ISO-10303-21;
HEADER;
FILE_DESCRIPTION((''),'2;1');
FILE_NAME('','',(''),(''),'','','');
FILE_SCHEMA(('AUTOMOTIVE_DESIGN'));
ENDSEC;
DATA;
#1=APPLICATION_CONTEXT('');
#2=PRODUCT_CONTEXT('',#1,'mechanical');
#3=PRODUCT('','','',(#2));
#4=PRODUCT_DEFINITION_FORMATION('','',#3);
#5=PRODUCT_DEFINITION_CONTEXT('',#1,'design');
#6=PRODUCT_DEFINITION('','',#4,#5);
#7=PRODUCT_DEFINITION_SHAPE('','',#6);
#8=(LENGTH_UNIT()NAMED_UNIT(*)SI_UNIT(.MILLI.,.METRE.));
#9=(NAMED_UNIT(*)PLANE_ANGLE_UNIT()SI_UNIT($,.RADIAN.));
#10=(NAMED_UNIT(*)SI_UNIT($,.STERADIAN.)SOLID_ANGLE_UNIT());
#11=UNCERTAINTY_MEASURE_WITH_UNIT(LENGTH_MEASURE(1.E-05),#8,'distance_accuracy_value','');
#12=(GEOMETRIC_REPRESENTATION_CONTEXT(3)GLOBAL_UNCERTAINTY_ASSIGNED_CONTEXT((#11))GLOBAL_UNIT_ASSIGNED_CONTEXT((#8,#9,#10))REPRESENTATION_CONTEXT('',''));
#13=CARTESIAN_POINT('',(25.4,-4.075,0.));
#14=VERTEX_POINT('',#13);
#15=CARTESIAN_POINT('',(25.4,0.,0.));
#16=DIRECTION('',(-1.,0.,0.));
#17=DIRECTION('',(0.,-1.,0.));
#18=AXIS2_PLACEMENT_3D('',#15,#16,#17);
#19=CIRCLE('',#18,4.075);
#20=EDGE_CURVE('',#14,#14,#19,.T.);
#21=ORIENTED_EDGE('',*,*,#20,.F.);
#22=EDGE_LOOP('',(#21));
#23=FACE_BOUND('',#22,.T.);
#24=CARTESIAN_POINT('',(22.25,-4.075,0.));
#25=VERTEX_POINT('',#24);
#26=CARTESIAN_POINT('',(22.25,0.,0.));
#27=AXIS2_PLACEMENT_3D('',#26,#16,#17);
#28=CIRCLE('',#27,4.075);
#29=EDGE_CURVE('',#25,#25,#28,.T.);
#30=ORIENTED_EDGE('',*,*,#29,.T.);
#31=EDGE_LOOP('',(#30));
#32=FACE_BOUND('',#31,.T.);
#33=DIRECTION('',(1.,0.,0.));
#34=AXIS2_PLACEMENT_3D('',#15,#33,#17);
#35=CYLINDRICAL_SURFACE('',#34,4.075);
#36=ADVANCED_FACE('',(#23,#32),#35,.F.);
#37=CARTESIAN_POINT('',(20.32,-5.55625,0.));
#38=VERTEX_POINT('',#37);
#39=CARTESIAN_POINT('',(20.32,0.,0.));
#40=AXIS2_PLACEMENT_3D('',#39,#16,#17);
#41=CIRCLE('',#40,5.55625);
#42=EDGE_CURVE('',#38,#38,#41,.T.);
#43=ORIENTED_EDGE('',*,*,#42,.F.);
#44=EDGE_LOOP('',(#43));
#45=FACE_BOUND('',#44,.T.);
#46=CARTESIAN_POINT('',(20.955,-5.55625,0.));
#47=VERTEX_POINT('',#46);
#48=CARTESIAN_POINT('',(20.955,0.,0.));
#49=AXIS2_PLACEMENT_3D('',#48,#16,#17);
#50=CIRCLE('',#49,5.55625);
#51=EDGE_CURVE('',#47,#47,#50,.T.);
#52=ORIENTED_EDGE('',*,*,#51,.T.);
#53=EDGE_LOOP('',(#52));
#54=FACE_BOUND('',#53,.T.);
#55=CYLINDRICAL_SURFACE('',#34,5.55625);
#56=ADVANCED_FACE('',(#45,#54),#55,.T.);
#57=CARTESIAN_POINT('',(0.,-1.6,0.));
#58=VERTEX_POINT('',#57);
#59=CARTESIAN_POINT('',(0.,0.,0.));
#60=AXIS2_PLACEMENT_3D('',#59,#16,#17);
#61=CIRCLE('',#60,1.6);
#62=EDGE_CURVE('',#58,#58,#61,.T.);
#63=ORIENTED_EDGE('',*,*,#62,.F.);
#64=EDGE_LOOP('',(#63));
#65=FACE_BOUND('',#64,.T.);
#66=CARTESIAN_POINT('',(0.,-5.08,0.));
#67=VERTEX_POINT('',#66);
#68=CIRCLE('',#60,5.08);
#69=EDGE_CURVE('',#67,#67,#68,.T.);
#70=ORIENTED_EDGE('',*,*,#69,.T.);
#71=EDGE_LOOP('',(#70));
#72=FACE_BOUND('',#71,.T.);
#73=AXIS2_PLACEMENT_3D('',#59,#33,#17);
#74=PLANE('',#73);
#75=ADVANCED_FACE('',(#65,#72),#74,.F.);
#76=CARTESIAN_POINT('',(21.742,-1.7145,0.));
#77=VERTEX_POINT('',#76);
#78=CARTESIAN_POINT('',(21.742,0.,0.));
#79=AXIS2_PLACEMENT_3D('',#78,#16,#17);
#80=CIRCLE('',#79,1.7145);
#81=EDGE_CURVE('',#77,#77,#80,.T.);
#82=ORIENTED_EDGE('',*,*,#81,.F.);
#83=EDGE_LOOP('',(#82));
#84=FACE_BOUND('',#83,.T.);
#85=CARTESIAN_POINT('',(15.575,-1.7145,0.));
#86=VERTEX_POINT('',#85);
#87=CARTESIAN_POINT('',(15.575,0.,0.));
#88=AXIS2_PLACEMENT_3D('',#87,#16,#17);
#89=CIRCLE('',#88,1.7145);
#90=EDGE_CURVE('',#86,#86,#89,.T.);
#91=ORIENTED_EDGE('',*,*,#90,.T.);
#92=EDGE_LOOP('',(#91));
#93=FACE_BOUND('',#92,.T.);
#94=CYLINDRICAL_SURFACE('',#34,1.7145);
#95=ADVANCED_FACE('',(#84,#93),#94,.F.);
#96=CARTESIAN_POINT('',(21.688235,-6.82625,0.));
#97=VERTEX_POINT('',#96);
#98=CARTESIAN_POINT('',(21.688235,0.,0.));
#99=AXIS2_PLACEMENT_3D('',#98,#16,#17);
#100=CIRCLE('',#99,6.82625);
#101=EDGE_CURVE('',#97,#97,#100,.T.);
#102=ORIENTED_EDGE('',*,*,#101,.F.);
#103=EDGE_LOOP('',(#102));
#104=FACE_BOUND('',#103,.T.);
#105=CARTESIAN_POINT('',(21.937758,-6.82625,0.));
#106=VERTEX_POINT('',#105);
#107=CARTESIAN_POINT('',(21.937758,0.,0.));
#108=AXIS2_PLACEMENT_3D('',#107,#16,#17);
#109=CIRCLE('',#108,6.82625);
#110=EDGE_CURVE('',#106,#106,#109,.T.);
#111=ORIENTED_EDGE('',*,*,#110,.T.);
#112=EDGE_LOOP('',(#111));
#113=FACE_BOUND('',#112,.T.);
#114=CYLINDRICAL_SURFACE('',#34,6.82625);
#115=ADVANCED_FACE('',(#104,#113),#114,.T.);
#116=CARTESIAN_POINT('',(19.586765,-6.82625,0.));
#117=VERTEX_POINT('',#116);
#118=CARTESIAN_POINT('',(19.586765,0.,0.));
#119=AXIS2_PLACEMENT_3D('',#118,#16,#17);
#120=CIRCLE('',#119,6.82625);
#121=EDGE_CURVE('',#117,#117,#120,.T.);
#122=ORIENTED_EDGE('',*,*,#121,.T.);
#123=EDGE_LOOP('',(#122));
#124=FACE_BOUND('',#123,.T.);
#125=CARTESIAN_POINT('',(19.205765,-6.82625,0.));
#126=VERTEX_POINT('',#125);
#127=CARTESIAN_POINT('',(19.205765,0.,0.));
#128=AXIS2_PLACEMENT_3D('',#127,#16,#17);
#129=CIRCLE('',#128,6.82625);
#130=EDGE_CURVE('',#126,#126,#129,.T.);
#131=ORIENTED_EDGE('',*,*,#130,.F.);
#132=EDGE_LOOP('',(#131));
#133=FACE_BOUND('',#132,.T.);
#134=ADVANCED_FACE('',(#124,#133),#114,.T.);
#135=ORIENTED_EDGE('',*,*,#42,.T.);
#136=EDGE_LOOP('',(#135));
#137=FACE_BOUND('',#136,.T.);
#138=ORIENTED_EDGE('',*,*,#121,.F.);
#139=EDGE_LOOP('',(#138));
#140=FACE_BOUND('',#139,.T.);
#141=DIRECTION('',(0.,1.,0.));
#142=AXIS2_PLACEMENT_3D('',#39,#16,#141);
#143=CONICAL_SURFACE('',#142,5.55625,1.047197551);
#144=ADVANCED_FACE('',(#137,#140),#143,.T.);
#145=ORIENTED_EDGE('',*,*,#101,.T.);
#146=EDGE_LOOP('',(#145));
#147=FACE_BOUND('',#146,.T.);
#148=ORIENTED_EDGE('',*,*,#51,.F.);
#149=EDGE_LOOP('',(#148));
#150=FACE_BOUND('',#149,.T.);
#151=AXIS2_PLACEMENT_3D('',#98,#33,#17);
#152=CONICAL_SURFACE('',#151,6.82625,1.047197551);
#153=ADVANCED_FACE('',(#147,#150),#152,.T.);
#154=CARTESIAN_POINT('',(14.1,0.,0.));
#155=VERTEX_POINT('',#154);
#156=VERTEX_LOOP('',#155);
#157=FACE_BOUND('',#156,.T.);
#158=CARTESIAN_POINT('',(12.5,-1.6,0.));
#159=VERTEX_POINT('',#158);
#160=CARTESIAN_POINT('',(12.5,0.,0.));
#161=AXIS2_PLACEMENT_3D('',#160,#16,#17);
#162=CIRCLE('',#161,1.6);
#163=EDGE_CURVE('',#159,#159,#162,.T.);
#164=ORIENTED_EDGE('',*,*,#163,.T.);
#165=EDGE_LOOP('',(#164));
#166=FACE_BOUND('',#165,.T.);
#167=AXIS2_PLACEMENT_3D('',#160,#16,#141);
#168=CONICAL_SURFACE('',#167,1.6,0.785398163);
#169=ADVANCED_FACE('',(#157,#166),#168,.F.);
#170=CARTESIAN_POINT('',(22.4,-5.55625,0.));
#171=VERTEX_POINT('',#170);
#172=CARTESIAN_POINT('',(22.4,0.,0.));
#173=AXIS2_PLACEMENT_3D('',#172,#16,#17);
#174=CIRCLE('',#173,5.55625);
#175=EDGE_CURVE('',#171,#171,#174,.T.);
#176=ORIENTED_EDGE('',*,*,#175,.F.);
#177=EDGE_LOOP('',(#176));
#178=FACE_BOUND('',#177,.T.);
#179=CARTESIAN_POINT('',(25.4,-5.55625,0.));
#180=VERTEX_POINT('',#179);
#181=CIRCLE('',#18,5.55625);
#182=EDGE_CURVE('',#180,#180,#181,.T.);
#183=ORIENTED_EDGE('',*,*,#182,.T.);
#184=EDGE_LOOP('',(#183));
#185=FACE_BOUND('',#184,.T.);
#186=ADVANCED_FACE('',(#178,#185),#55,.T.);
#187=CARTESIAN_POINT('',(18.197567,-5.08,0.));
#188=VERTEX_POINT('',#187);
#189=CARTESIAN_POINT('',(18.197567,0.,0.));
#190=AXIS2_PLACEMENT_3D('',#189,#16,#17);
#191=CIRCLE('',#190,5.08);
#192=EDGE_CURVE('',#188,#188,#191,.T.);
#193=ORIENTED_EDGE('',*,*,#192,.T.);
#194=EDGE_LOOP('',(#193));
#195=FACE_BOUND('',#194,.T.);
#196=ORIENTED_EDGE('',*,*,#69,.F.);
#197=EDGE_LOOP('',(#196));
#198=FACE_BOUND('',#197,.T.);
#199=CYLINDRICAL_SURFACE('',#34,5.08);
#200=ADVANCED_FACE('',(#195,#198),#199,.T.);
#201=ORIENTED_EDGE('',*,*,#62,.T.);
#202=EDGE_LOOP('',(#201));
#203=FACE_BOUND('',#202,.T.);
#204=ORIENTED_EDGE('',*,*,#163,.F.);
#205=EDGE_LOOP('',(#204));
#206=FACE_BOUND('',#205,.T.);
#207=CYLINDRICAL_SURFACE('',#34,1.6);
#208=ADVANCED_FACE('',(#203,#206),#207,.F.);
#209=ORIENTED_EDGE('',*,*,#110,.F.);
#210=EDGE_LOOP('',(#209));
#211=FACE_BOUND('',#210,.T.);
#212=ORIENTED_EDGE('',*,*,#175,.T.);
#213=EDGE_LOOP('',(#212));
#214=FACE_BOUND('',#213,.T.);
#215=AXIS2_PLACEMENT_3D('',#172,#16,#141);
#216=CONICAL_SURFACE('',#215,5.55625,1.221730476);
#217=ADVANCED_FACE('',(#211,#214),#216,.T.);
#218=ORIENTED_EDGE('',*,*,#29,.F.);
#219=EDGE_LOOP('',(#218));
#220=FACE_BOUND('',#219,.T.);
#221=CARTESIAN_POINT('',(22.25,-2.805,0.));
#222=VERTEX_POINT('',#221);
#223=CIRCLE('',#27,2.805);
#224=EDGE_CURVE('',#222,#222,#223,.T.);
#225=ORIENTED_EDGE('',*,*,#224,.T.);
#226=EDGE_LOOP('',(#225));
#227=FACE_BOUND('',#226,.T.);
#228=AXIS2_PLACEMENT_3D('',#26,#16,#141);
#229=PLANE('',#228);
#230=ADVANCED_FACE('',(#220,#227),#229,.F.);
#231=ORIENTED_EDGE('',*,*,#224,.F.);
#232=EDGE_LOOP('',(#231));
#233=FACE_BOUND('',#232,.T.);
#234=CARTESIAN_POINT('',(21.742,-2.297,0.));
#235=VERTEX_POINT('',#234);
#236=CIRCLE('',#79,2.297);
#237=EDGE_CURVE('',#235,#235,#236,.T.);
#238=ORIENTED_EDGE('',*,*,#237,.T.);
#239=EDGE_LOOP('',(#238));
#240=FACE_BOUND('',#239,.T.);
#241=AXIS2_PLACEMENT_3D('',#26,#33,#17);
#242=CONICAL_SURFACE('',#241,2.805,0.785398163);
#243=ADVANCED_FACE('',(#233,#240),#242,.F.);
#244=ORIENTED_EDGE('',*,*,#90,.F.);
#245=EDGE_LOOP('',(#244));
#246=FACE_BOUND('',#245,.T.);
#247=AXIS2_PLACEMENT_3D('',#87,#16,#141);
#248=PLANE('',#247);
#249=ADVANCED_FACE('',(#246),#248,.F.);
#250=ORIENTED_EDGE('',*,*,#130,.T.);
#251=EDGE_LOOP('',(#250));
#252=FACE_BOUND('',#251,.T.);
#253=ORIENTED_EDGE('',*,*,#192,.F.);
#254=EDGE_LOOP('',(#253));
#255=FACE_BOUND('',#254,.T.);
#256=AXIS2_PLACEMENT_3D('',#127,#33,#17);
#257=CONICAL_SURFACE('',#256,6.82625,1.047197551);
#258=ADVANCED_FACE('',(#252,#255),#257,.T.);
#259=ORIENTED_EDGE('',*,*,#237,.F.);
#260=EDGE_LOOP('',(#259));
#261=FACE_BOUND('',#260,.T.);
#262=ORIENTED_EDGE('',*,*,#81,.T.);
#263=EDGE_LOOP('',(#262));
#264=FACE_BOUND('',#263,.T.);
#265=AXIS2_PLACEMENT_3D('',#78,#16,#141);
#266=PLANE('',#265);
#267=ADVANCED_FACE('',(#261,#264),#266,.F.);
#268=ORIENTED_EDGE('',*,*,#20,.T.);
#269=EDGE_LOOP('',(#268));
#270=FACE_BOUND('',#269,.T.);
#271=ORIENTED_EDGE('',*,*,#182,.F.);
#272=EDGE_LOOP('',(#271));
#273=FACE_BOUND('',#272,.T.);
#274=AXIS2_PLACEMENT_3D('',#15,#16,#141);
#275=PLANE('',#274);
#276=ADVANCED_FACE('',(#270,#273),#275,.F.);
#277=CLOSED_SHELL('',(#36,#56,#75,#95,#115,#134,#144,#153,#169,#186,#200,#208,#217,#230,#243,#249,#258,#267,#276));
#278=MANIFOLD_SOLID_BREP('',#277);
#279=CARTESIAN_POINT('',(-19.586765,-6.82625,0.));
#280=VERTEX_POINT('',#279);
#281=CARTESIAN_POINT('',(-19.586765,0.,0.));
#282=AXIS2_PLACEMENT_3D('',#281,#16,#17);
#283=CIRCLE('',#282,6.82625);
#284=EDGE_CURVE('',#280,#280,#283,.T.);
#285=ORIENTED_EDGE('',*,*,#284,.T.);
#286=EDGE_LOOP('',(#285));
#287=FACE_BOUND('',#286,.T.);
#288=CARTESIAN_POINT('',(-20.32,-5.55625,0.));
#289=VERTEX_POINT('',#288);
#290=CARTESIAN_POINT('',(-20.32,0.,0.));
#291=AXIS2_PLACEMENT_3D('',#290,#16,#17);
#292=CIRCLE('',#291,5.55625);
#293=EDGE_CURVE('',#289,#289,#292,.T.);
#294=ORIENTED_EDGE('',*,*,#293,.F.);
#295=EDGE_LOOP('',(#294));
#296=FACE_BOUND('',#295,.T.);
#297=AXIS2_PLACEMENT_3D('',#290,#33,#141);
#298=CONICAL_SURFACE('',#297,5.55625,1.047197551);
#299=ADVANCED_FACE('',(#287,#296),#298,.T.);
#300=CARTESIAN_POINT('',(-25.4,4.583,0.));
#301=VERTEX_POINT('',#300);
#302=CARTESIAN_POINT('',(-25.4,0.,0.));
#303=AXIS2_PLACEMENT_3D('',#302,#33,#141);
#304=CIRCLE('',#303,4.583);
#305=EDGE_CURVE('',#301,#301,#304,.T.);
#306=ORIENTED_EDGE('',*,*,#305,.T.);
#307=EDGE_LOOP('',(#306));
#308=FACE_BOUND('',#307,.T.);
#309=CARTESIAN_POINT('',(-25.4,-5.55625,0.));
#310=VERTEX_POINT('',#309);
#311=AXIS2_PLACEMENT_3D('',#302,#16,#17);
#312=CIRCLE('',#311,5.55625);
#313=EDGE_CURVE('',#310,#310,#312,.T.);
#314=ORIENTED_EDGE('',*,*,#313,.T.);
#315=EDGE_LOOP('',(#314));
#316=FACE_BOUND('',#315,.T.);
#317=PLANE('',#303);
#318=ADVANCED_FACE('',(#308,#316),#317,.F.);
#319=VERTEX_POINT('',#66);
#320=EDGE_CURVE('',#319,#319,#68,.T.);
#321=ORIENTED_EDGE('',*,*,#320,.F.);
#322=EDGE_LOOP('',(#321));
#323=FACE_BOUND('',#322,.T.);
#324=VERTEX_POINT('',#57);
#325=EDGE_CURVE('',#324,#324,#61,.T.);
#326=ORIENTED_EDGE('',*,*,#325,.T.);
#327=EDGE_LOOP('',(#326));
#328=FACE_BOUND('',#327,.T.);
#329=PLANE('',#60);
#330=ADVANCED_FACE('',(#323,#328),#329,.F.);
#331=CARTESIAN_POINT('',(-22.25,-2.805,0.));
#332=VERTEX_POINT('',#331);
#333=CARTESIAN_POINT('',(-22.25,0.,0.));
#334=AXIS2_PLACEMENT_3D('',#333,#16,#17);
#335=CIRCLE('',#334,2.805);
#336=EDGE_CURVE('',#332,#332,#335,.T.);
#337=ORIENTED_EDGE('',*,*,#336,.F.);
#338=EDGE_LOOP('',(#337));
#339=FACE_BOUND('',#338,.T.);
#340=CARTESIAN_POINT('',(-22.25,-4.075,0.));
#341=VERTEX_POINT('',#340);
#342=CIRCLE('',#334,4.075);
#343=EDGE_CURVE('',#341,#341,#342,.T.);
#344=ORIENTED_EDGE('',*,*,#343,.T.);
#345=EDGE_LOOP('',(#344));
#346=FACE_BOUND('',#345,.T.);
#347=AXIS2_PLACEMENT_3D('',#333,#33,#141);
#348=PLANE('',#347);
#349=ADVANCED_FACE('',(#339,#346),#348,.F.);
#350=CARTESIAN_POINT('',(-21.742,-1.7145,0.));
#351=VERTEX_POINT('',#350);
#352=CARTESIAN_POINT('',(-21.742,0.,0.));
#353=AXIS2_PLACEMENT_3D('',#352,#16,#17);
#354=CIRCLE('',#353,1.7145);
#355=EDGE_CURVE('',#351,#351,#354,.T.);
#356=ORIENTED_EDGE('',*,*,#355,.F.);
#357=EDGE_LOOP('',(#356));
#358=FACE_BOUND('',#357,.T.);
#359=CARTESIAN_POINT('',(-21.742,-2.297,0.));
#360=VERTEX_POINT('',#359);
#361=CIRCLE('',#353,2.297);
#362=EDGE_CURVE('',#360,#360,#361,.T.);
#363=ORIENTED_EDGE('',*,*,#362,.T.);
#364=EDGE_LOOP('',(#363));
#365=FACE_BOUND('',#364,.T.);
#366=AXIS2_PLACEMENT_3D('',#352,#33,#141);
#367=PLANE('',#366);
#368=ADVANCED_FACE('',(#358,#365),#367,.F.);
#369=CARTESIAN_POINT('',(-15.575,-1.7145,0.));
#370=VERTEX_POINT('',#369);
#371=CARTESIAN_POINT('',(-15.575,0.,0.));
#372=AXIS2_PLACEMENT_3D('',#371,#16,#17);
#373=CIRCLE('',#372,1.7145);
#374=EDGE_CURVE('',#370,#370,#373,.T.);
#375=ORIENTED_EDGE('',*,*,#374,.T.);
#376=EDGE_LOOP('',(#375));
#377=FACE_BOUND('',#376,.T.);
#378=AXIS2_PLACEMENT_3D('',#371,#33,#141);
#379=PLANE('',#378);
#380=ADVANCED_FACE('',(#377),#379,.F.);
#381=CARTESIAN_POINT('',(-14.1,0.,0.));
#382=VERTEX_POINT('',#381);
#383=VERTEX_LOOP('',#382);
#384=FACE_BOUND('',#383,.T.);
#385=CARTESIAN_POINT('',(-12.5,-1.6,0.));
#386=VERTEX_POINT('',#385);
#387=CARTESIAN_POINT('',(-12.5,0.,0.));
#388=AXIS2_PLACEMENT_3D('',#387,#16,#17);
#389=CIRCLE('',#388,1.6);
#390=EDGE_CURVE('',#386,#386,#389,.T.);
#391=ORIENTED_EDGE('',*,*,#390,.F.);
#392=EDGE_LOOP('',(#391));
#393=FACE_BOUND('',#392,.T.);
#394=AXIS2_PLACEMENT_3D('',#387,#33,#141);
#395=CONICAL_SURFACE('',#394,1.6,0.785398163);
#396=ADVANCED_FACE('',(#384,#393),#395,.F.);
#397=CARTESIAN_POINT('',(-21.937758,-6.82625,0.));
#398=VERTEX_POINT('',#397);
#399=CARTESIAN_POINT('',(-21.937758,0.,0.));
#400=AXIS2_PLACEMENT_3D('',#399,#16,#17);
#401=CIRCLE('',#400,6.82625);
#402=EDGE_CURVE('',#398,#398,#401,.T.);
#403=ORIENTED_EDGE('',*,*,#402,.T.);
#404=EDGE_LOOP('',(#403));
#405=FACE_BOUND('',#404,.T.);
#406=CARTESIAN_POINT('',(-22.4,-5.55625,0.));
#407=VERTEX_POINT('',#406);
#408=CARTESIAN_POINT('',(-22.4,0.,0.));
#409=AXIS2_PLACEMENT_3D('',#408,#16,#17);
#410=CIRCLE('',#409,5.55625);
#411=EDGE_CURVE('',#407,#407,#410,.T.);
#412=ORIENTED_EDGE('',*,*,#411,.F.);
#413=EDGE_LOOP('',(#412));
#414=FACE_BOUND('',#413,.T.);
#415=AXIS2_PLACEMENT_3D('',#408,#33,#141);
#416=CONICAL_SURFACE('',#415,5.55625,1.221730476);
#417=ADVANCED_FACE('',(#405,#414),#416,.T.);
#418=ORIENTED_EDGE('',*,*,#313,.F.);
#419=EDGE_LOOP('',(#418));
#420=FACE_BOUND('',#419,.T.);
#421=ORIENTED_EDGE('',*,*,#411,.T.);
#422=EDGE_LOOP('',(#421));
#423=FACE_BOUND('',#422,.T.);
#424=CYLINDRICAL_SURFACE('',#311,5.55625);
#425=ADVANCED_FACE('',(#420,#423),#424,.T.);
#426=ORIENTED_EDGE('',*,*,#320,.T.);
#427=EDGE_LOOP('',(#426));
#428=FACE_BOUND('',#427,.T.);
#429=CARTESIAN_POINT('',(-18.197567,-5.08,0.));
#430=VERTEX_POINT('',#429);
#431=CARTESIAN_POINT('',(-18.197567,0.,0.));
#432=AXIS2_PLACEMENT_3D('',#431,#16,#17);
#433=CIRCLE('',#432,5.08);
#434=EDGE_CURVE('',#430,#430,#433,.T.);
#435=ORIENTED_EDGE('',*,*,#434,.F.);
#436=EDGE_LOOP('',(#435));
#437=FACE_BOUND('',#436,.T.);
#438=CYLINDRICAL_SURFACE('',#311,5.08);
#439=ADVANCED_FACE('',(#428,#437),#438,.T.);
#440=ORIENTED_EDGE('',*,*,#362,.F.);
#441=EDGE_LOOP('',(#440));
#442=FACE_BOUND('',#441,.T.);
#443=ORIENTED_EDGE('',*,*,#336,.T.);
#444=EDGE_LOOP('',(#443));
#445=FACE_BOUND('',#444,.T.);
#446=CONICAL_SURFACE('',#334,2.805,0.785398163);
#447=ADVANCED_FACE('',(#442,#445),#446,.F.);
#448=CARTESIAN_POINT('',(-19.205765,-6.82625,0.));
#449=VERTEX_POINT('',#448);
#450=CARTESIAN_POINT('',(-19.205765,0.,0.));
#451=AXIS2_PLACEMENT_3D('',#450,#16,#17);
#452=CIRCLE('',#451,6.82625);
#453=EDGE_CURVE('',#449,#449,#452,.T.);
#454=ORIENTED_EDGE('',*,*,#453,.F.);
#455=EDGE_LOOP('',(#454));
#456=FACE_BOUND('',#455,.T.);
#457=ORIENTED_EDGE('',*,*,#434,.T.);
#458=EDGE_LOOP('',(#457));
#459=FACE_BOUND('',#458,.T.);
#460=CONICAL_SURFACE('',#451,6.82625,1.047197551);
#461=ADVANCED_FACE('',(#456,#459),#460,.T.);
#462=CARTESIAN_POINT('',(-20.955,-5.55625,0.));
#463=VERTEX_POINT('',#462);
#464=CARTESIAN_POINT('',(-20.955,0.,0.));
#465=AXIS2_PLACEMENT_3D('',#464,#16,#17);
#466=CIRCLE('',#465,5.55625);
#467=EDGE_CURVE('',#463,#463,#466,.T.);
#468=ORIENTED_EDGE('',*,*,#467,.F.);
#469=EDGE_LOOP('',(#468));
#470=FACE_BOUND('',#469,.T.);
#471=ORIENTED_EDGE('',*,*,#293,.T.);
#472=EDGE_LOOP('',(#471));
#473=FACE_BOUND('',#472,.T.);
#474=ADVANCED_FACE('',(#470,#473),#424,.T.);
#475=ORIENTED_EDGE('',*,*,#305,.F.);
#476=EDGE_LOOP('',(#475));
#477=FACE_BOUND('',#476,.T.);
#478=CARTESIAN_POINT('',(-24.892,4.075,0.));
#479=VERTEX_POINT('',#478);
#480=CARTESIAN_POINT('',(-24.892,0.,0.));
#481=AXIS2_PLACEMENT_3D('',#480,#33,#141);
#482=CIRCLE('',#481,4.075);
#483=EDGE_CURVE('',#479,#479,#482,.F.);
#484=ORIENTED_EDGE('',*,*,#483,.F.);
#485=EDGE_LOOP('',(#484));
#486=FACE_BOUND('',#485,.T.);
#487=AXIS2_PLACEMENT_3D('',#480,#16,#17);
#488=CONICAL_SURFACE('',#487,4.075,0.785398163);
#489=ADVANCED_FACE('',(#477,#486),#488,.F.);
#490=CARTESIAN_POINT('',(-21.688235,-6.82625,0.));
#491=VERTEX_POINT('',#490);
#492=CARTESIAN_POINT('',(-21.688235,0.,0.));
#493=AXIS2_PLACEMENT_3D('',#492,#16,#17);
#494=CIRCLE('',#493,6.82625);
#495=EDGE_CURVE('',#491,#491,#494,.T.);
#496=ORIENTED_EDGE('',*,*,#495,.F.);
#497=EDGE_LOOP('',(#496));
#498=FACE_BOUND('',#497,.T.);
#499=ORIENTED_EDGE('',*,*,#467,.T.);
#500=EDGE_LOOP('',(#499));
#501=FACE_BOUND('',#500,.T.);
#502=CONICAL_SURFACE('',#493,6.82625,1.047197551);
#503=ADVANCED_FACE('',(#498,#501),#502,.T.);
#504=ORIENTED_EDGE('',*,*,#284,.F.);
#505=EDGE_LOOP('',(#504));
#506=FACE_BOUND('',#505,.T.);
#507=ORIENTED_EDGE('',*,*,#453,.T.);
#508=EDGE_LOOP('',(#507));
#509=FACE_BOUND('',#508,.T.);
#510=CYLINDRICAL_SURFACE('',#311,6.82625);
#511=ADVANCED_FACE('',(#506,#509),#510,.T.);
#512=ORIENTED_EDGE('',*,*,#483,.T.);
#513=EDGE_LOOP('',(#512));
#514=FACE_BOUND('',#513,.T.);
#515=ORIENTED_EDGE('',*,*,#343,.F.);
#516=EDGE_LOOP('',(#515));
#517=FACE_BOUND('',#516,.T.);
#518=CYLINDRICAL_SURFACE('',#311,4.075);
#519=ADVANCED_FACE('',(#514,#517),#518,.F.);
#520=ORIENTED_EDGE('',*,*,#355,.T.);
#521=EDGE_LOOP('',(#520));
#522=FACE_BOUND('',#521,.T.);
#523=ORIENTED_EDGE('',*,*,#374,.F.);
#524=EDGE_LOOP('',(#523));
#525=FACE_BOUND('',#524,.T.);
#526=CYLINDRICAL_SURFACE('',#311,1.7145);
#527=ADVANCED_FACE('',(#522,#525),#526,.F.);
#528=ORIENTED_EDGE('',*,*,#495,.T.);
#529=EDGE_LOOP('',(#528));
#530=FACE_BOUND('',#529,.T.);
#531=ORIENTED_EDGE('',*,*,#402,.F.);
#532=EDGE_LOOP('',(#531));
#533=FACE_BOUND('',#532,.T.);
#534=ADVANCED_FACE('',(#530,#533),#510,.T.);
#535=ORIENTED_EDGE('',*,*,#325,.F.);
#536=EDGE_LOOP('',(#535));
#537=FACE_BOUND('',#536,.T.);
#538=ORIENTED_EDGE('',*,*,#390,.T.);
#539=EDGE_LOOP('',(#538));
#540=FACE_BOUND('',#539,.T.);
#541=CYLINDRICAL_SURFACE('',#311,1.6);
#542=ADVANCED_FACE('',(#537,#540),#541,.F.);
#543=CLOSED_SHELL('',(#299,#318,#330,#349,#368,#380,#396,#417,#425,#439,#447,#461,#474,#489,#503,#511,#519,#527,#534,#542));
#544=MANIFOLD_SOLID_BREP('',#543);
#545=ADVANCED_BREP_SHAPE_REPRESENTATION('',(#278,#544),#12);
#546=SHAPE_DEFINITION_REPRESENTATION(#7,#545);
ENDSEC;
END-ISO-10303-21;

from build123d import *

# Parameters (mm, degrees)
CHAMFER1_SIZE = 0.508


with BuildPart() as part:
    # Sketch2 → Revolve1 (revolve)
    with BuildSketch(Plane.XY, mode=Mode.PRIVATE) as revolve1_sk:
        Polygon((-22.4, 5.55625), (-25.4, 5.55625), (-25.4, 4.075), (-22.25, 4.075), (-22.25, 2.805), (-21.742, 2.297), (-21.742, 1.7145), (-15.575, 1.7145), (-15.575, 0), (-14.1, 0), (-12.5, 1.6), (0, 1.6), (0, 5.08), (-18.197567251, 5.08), (-19.205765158, 6.82625), (-19.586765158, 6.82625), (-20.32, 5.55625), (-20.955, 5.55625), (-21.688234842, 6.82625), (-21.937757802, 6.82625), align=None)
    revolve(revolve1_sk.sketch.rotate(Axis((-25.4, 0, 0), (1, 0, 0)), 180), axis=Axis((-25.4, 0, 0), (1, 0, 0)))


with BuildPart() as body_2:
    # Mirror1: mirrored copy
    add(part.part.mirror(Plane(origin=(0, 0, 0), x_dir=(0, 0, 1), z_dir=(1, 0, 0))))


with BuildPart() as part_1:
    add(part.part)

    # Chamfer1
    chamfer1_edges = [part_1.edges().sort_by_distance(p)[0] for p in [
        (-25.4, 4.075, 0),
    ]]
    chamfer(chamfer1_edges, length=CHAMFER1_SIZE)


solid = Compound([body_2.part, part_1.part])
